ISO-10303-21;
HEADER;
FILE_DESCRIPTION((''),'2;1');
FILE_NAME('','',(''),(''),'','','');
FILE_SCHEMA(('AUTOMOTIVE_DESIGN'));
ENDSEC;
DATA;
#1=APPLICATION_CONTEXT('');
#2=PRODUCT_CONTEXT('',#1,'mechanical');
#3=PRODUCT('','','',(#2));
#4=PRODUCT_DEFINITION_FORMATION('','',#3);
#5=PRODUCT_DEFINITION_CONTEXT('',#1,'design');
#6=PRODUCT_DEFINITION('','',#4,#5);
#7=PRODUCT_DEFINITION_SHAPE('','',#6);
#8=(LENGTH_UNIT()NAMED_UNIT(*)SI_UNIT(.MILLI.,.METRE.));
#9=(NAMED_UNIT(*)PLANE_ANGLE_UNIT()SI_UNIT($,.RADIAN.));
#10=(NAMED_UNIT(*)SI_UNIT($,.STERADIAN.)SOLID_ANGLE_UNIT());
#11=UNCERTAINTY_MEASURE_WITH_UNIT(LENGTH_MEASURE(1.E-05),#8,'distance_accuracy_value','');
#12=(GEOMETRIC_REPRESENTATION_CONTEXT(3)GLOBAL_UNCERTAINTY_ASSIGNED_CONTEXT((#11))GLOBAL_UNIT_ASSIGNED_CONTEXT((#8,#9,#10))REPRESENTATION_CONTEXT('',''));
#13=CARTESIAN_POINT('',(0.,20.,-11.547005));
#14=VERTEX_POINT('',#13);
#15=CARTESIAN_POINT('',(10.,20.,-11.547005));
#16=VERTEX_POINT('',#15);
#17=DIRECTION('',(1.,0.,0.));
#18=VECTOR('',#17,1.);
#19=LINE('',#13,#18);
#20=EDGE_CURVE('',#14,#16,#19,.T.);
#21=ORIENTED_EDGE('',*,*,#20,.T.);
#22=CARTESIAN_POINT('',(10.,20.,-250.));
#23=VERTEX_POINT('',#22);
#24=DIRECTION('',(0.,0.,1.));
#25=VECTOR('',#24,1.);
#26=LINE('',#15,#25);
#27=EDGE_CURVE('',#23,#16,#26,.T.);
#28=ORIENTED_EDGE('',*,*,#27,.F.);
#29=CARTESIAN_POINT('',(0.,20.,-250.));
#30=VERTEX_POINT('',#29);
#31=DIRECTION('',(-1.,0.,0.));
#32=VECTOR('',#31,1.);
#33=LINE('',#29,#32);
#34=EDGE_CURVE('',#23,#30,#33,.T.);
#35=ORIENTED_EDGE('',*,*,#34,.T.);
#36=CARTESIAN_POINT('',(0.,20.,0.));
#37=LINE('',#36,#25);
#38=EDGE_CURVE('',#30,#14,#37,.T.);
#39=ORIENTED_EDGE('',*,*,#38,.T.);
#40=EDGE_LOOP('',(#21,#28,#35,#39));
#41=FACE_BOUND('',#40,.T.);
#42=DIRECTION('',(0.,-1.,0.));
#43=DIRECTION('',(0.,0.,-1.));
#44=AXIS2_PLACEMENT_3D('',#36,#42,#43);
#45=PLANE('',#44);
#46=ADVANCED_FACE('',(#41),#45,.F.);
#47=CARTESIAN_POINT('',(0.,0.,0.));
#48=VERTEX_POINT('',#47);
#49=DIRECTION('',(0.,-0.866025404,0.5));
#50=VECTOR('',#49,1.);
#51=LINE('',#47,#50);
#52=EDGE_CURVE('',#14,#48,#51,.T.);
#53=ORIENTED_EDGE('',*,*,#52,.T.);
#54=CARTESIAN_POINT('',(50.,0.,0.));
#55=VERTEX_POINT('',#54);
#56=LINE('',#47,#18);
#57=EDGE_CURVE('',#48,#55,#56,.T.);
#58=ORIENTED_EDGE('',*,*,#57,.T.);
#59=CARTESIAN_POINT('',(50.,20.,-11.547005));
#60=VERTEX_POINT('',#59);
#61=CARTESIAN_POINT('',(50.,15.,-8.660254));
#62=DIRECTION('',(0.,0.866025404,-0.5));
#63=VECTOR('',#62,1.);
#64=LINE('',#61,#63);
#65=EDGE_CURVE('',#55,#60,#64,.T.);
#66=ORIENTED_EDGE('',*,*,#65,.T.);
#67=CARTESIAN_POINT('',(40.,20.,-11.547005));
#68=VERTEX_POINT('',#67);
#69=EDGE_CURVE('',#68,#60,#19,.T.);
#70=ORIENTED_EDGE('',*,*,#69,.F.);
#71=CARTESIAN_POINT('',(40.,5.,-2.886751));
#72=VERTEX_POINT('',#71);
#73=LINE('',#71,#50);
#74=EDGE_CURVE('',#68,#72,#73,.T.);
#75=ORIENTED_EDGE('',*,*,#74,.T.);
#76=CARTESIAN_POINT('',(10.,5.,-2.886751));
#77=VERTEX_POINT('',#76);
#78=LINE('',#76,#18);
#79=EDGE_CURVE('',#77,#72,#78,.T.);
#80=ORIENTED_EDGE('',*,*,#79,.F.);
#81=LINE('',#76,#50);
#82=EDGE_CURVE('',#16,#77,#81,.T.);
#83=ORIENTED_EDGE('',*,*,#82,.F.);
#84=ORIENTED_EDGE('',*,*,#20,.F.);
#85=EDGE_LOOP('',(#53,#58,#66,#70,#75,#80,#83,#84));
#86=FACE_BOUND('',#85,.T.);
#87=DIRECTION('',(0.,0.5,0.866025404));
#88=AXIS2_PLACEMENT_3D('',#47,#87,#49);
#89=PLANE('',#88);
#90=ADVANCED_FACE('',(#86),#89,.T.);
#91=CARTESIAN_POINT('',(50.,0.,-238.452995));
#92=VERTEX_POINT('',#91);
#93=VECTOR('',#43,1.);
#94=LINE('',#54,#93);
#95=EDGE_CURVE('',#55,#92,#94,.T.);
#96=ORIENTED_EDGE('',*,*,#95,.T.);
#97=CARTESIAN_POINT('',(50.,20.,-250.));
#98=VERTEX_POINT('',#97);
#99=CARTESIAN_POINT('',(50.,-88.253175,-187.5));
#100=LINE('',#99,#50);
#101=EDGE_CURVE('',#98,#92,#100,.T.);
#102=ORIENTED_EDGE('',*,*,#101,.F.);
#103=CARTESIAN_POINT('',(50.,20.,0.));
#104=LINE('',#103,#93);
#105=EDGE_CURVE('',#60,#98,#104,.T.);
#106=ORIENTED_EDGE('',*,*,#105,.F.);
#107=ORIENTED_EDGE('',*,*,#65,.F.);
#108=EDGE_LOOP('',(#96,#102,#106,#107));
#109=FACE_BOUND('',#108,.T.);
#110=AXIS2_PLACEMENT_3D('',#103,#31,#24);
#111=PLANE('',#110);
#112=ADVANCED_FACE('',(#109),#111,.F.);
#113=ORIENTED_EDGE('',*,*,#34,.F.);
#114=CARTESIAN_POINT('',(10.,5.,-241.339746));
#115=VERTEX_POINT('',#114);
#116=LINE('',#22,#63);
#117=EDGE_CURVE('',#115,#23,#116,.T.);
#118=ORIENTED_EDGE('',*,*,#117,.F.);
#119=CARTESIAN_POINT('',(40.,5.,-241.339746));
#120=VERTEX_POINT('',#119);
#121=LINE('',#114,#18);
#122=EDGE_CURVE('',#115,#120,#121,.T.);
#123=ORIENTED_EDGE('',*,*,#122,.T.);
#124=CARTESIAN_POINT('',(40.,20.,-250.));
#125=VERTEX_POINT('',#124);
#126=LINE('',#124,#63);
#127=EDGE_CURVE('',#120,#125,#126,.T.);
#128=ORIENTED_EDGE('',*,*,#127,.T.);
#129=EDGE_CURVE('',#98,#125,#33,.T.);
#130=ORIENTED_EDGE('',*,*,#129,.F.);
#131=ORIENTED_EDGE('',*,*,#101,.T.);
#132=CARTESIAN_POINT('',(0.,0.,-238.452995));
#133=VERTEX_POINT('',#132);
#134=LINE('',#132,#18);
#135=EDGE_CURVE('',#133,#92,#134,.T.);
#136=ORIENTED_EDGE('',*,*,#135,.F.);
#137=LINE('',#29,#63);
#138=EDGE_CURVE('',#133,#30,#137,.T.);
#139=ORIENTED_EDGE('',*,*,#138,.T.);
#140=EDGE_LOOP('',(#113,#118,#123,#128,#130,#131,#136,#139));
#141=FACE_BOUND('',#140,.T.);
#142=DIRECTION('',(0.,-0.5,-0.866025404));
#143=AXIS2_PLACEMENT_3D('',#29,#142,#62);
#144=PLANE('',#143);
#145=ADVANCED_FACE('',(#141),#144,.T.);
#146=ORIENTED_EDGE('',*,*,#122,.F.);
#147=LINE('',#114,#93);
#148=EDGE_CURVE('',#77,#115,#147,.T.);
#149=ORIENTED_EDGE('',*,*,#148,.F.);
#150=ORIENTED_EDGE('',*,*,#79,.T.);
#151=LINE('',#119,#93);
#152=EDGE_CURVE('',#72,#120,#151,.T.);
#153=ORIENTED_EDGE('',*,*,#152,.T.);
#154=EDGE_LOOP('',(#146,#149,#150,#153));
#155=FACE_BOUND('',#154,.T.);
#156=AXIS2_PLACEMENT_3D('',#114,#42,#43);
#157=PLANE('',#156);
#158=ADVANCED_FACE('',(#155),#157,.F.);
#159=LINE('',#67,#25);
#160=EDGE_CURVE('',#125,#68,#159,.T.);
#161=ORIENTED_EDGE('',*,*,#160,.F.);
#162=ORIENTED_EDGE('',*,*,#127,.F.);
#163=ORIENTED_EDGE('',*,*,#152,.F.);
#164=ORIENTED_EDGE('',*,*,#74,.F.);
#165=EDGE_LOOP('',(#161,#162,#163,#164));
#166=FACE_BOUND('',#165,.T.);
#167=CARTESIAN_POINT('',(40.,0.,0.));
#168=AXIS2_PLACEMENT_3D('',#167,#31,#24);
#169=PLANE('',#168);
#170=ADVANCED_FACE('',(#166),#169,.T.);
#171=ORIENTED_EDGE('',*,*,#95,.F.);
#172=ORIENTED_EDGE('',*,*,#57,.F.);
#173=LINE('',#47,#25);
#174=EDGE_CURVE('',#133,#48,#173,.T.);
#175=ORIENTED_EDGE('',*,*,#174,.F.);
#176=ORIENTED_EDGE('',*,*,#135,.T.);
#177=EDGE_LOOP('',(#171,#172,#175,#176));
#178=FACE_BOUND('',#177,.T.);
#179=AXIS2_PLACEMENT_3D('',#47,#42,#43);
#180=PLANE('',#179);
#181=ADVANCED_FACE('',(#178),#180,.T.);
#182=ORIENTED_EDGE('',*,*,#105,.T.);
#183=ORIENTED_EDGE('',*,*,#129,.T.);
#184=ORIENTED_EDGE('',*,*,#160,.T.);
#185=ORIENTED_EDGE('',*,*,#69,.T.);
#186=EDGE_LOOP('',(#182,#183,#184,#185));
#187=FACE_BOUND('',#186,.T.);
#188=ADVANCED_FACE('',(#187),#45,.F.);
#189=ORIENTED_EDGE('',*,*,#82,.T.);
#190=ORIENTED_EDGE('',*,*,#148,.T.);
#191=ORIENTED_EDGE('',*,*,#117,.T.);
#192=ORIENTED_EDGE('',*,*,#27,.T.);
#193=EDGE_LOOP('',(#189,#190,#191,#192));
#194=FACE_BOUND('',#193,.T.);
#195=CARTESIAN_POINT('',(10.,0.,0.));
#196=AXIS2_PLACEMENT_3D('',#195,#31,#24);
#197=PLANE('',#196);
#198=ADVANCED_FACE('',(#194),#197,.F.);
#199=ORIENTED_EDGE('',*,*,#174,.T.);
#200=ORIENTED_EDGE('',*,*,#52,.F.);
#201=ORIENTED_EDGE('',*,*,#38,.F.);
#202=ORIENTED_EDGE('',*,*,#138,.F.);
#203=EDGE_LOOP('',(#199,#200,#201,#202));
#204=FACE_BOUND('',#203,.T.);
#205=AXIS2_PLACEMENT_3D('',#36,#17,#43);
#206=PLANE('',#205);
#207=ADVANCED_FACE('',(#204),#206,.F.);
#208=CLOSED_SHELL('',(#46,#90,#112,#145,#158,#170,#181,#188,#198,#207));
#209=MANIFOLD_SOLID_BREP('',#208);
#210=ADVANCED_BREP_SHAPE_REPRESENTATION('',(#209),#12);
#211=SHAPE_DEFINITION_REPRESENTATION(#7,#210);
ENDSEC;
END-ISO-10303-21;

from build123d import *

# Parameters (mm, degrees)
SKETCH2_W               = 50
SKETCH2_H               = 250
BOSS_EXTRUDE1_DEPTH     = 20
CUT_EXTRUDE1_DEPTH      = 256.734237051
CUT_EXTRUDE1_DEPTH_BACK = 256.734237051
SKETCH3_OUTSIDE_W       = 303.146
SKETCH3_OUTSIDE_H       = 73.146
CUT_EXTRUDE2_START      = -10
CUT_EXTRUDE2_DEPTH      = 30


with BuildPart() as part:
    # Sketch2 → Boss-Extrude1 (new body)
    with BuildSketch(Plane(origin=(0, 0, 0), x_dir=(1, 0, 0), z_dir=(0, 1, 0))):
        with Locations((25, 125)):
            Rectangle(SKETCH2_W, SKETCH2_H)
    extrude(amount=BOSS_EXTRUDE1_DEPTH)

    # Sketch3 outside → Cut-Extrude1 (cut, two sides: drawn at the far end of the back side and taken through both)
    with BuildSketch(Plane(origin=(50, 0, 0), x_dir=(0, 0, -1), z_dir=(1, 0, 0)).offset(-CUT_EXTRUDE1_DEPTH_BACK)):
        with Locations((125, 10)):
            Rectangle(SKETCH3_OUTSIDE_W, SKETCH3_OUTSIDE_H)
        Polygon((0, 0), (11.547005384, 20), (250, 20), (238.452994616, 0), align=None, mode=Mode.SUBTRACT)
    extrude(amount=CUT_EXTRUDE1_DEPTH + CUT_EXTRUDE1_DEPTH_BACK, mode=Mode.SUBTRACT)

    # Sketch4 → Cut-Extrude2 (cut)
    with BuildSketch(Plane(origin=(50, 0, 0), x_dir=(0, 0, -1), z_dir=(1, 0, 0)).offset(CUT_EXTRUDE2_START)):
        Polygon((11.547005384, 20), (250, 20), (241.339745962, 5), (2.886751346, 5), align=None)
    extrude(amount=-CUT_EXTRUDE2_DEPTH, mode=Mode.SUBTRACT)


solid = part.part
